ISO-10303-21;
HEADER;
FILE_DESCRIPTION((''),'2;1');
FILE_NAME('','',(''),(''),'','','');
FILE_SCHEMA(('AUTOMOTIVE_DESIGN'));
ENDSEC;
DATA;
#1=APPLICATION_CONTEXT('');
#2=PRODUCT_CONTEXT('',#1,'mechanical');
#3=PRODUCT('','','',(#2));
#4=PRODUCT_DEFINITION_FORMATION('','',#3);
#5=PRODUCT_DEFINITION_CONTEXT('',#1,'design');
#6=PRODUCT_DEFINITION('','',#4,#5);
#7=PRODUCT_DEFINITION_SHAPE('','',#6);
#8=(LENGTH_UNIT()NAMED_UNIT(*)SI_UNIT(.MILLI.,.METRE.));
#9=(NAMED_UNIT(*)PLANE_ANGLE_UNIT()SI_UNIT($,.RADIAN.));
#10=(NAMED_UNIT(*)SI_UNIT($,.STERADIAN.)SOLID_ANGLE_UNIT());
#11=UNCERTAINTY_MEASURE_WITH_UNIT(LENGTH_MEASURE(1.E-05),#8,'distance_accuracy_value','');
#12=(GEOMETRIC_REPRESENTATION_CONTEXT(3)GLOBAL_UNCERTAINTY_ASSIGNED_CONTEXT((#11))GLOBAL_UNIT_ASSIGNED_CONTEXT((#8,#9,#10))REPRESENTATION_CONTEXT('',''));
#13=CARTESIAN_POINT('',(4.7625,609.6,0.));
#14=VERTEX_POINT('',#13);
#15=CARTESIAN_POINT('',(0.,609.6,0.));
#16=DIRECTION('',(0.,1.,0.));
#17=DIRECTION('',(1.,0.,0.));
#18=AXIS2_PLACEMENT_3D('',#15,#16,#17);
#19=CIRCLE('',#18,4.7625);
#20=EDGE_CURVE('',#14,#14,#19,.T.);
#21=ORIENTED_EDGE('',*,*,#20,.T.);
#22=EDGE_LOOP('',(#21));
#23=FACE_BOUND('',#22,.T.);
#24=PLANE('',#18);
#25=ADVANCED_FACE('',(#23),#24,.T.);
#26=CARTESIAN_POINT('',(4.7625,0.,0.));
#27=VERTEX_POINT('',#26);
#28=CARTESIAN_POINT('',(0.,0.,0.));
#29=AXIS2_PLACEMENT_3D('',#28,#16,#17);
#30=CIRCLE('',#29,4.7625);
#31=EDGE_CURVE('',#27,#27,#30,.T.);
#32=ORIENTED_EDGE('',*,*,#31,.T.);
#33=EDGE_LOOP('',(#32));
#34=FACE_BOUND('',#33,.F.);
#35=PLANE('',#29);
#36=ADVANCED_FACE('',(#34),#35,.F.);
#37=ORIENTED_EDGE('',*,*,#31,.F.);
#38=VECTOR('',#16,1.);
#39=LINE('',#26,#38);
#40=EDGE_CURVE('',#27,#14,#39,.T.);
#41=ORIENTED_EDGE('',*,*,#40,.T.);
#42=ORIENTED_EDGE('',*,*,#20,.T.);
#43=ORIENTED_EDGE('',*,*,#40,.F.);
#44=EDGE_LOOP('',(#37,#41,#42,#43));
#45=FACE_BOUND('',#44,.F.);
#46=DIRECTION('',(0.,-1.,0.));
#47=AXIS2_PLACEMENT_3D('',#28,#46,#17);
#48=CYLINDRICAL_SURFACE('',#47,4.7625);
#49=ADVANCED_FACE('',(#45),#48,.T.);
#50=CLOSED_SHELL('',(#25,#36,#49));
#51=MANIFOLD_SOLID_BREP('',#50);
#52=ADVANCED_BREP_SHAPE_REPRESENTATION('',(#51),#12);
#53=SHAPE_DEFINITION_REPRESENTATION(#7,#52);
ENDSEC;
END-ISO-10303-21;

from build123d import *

# Parameters (mm, degrees)
SKETCH1_R           = 4.7625
BOSS_EXTRUDE1_DEPTH = 609.6


with BuildPart() as part:
    # Sketch1 → Boss-Extrude1 (new body)
    with BuildSketch(Plane(origin=(0, 0, 0), x_dir=(1, 0, 0), z_dir=(0, 1, 0))):
        Circle(SKETCH1_R)
    extrude(amount=BOSS_EXTRUDE1_DEPTH)


solid = part.part
